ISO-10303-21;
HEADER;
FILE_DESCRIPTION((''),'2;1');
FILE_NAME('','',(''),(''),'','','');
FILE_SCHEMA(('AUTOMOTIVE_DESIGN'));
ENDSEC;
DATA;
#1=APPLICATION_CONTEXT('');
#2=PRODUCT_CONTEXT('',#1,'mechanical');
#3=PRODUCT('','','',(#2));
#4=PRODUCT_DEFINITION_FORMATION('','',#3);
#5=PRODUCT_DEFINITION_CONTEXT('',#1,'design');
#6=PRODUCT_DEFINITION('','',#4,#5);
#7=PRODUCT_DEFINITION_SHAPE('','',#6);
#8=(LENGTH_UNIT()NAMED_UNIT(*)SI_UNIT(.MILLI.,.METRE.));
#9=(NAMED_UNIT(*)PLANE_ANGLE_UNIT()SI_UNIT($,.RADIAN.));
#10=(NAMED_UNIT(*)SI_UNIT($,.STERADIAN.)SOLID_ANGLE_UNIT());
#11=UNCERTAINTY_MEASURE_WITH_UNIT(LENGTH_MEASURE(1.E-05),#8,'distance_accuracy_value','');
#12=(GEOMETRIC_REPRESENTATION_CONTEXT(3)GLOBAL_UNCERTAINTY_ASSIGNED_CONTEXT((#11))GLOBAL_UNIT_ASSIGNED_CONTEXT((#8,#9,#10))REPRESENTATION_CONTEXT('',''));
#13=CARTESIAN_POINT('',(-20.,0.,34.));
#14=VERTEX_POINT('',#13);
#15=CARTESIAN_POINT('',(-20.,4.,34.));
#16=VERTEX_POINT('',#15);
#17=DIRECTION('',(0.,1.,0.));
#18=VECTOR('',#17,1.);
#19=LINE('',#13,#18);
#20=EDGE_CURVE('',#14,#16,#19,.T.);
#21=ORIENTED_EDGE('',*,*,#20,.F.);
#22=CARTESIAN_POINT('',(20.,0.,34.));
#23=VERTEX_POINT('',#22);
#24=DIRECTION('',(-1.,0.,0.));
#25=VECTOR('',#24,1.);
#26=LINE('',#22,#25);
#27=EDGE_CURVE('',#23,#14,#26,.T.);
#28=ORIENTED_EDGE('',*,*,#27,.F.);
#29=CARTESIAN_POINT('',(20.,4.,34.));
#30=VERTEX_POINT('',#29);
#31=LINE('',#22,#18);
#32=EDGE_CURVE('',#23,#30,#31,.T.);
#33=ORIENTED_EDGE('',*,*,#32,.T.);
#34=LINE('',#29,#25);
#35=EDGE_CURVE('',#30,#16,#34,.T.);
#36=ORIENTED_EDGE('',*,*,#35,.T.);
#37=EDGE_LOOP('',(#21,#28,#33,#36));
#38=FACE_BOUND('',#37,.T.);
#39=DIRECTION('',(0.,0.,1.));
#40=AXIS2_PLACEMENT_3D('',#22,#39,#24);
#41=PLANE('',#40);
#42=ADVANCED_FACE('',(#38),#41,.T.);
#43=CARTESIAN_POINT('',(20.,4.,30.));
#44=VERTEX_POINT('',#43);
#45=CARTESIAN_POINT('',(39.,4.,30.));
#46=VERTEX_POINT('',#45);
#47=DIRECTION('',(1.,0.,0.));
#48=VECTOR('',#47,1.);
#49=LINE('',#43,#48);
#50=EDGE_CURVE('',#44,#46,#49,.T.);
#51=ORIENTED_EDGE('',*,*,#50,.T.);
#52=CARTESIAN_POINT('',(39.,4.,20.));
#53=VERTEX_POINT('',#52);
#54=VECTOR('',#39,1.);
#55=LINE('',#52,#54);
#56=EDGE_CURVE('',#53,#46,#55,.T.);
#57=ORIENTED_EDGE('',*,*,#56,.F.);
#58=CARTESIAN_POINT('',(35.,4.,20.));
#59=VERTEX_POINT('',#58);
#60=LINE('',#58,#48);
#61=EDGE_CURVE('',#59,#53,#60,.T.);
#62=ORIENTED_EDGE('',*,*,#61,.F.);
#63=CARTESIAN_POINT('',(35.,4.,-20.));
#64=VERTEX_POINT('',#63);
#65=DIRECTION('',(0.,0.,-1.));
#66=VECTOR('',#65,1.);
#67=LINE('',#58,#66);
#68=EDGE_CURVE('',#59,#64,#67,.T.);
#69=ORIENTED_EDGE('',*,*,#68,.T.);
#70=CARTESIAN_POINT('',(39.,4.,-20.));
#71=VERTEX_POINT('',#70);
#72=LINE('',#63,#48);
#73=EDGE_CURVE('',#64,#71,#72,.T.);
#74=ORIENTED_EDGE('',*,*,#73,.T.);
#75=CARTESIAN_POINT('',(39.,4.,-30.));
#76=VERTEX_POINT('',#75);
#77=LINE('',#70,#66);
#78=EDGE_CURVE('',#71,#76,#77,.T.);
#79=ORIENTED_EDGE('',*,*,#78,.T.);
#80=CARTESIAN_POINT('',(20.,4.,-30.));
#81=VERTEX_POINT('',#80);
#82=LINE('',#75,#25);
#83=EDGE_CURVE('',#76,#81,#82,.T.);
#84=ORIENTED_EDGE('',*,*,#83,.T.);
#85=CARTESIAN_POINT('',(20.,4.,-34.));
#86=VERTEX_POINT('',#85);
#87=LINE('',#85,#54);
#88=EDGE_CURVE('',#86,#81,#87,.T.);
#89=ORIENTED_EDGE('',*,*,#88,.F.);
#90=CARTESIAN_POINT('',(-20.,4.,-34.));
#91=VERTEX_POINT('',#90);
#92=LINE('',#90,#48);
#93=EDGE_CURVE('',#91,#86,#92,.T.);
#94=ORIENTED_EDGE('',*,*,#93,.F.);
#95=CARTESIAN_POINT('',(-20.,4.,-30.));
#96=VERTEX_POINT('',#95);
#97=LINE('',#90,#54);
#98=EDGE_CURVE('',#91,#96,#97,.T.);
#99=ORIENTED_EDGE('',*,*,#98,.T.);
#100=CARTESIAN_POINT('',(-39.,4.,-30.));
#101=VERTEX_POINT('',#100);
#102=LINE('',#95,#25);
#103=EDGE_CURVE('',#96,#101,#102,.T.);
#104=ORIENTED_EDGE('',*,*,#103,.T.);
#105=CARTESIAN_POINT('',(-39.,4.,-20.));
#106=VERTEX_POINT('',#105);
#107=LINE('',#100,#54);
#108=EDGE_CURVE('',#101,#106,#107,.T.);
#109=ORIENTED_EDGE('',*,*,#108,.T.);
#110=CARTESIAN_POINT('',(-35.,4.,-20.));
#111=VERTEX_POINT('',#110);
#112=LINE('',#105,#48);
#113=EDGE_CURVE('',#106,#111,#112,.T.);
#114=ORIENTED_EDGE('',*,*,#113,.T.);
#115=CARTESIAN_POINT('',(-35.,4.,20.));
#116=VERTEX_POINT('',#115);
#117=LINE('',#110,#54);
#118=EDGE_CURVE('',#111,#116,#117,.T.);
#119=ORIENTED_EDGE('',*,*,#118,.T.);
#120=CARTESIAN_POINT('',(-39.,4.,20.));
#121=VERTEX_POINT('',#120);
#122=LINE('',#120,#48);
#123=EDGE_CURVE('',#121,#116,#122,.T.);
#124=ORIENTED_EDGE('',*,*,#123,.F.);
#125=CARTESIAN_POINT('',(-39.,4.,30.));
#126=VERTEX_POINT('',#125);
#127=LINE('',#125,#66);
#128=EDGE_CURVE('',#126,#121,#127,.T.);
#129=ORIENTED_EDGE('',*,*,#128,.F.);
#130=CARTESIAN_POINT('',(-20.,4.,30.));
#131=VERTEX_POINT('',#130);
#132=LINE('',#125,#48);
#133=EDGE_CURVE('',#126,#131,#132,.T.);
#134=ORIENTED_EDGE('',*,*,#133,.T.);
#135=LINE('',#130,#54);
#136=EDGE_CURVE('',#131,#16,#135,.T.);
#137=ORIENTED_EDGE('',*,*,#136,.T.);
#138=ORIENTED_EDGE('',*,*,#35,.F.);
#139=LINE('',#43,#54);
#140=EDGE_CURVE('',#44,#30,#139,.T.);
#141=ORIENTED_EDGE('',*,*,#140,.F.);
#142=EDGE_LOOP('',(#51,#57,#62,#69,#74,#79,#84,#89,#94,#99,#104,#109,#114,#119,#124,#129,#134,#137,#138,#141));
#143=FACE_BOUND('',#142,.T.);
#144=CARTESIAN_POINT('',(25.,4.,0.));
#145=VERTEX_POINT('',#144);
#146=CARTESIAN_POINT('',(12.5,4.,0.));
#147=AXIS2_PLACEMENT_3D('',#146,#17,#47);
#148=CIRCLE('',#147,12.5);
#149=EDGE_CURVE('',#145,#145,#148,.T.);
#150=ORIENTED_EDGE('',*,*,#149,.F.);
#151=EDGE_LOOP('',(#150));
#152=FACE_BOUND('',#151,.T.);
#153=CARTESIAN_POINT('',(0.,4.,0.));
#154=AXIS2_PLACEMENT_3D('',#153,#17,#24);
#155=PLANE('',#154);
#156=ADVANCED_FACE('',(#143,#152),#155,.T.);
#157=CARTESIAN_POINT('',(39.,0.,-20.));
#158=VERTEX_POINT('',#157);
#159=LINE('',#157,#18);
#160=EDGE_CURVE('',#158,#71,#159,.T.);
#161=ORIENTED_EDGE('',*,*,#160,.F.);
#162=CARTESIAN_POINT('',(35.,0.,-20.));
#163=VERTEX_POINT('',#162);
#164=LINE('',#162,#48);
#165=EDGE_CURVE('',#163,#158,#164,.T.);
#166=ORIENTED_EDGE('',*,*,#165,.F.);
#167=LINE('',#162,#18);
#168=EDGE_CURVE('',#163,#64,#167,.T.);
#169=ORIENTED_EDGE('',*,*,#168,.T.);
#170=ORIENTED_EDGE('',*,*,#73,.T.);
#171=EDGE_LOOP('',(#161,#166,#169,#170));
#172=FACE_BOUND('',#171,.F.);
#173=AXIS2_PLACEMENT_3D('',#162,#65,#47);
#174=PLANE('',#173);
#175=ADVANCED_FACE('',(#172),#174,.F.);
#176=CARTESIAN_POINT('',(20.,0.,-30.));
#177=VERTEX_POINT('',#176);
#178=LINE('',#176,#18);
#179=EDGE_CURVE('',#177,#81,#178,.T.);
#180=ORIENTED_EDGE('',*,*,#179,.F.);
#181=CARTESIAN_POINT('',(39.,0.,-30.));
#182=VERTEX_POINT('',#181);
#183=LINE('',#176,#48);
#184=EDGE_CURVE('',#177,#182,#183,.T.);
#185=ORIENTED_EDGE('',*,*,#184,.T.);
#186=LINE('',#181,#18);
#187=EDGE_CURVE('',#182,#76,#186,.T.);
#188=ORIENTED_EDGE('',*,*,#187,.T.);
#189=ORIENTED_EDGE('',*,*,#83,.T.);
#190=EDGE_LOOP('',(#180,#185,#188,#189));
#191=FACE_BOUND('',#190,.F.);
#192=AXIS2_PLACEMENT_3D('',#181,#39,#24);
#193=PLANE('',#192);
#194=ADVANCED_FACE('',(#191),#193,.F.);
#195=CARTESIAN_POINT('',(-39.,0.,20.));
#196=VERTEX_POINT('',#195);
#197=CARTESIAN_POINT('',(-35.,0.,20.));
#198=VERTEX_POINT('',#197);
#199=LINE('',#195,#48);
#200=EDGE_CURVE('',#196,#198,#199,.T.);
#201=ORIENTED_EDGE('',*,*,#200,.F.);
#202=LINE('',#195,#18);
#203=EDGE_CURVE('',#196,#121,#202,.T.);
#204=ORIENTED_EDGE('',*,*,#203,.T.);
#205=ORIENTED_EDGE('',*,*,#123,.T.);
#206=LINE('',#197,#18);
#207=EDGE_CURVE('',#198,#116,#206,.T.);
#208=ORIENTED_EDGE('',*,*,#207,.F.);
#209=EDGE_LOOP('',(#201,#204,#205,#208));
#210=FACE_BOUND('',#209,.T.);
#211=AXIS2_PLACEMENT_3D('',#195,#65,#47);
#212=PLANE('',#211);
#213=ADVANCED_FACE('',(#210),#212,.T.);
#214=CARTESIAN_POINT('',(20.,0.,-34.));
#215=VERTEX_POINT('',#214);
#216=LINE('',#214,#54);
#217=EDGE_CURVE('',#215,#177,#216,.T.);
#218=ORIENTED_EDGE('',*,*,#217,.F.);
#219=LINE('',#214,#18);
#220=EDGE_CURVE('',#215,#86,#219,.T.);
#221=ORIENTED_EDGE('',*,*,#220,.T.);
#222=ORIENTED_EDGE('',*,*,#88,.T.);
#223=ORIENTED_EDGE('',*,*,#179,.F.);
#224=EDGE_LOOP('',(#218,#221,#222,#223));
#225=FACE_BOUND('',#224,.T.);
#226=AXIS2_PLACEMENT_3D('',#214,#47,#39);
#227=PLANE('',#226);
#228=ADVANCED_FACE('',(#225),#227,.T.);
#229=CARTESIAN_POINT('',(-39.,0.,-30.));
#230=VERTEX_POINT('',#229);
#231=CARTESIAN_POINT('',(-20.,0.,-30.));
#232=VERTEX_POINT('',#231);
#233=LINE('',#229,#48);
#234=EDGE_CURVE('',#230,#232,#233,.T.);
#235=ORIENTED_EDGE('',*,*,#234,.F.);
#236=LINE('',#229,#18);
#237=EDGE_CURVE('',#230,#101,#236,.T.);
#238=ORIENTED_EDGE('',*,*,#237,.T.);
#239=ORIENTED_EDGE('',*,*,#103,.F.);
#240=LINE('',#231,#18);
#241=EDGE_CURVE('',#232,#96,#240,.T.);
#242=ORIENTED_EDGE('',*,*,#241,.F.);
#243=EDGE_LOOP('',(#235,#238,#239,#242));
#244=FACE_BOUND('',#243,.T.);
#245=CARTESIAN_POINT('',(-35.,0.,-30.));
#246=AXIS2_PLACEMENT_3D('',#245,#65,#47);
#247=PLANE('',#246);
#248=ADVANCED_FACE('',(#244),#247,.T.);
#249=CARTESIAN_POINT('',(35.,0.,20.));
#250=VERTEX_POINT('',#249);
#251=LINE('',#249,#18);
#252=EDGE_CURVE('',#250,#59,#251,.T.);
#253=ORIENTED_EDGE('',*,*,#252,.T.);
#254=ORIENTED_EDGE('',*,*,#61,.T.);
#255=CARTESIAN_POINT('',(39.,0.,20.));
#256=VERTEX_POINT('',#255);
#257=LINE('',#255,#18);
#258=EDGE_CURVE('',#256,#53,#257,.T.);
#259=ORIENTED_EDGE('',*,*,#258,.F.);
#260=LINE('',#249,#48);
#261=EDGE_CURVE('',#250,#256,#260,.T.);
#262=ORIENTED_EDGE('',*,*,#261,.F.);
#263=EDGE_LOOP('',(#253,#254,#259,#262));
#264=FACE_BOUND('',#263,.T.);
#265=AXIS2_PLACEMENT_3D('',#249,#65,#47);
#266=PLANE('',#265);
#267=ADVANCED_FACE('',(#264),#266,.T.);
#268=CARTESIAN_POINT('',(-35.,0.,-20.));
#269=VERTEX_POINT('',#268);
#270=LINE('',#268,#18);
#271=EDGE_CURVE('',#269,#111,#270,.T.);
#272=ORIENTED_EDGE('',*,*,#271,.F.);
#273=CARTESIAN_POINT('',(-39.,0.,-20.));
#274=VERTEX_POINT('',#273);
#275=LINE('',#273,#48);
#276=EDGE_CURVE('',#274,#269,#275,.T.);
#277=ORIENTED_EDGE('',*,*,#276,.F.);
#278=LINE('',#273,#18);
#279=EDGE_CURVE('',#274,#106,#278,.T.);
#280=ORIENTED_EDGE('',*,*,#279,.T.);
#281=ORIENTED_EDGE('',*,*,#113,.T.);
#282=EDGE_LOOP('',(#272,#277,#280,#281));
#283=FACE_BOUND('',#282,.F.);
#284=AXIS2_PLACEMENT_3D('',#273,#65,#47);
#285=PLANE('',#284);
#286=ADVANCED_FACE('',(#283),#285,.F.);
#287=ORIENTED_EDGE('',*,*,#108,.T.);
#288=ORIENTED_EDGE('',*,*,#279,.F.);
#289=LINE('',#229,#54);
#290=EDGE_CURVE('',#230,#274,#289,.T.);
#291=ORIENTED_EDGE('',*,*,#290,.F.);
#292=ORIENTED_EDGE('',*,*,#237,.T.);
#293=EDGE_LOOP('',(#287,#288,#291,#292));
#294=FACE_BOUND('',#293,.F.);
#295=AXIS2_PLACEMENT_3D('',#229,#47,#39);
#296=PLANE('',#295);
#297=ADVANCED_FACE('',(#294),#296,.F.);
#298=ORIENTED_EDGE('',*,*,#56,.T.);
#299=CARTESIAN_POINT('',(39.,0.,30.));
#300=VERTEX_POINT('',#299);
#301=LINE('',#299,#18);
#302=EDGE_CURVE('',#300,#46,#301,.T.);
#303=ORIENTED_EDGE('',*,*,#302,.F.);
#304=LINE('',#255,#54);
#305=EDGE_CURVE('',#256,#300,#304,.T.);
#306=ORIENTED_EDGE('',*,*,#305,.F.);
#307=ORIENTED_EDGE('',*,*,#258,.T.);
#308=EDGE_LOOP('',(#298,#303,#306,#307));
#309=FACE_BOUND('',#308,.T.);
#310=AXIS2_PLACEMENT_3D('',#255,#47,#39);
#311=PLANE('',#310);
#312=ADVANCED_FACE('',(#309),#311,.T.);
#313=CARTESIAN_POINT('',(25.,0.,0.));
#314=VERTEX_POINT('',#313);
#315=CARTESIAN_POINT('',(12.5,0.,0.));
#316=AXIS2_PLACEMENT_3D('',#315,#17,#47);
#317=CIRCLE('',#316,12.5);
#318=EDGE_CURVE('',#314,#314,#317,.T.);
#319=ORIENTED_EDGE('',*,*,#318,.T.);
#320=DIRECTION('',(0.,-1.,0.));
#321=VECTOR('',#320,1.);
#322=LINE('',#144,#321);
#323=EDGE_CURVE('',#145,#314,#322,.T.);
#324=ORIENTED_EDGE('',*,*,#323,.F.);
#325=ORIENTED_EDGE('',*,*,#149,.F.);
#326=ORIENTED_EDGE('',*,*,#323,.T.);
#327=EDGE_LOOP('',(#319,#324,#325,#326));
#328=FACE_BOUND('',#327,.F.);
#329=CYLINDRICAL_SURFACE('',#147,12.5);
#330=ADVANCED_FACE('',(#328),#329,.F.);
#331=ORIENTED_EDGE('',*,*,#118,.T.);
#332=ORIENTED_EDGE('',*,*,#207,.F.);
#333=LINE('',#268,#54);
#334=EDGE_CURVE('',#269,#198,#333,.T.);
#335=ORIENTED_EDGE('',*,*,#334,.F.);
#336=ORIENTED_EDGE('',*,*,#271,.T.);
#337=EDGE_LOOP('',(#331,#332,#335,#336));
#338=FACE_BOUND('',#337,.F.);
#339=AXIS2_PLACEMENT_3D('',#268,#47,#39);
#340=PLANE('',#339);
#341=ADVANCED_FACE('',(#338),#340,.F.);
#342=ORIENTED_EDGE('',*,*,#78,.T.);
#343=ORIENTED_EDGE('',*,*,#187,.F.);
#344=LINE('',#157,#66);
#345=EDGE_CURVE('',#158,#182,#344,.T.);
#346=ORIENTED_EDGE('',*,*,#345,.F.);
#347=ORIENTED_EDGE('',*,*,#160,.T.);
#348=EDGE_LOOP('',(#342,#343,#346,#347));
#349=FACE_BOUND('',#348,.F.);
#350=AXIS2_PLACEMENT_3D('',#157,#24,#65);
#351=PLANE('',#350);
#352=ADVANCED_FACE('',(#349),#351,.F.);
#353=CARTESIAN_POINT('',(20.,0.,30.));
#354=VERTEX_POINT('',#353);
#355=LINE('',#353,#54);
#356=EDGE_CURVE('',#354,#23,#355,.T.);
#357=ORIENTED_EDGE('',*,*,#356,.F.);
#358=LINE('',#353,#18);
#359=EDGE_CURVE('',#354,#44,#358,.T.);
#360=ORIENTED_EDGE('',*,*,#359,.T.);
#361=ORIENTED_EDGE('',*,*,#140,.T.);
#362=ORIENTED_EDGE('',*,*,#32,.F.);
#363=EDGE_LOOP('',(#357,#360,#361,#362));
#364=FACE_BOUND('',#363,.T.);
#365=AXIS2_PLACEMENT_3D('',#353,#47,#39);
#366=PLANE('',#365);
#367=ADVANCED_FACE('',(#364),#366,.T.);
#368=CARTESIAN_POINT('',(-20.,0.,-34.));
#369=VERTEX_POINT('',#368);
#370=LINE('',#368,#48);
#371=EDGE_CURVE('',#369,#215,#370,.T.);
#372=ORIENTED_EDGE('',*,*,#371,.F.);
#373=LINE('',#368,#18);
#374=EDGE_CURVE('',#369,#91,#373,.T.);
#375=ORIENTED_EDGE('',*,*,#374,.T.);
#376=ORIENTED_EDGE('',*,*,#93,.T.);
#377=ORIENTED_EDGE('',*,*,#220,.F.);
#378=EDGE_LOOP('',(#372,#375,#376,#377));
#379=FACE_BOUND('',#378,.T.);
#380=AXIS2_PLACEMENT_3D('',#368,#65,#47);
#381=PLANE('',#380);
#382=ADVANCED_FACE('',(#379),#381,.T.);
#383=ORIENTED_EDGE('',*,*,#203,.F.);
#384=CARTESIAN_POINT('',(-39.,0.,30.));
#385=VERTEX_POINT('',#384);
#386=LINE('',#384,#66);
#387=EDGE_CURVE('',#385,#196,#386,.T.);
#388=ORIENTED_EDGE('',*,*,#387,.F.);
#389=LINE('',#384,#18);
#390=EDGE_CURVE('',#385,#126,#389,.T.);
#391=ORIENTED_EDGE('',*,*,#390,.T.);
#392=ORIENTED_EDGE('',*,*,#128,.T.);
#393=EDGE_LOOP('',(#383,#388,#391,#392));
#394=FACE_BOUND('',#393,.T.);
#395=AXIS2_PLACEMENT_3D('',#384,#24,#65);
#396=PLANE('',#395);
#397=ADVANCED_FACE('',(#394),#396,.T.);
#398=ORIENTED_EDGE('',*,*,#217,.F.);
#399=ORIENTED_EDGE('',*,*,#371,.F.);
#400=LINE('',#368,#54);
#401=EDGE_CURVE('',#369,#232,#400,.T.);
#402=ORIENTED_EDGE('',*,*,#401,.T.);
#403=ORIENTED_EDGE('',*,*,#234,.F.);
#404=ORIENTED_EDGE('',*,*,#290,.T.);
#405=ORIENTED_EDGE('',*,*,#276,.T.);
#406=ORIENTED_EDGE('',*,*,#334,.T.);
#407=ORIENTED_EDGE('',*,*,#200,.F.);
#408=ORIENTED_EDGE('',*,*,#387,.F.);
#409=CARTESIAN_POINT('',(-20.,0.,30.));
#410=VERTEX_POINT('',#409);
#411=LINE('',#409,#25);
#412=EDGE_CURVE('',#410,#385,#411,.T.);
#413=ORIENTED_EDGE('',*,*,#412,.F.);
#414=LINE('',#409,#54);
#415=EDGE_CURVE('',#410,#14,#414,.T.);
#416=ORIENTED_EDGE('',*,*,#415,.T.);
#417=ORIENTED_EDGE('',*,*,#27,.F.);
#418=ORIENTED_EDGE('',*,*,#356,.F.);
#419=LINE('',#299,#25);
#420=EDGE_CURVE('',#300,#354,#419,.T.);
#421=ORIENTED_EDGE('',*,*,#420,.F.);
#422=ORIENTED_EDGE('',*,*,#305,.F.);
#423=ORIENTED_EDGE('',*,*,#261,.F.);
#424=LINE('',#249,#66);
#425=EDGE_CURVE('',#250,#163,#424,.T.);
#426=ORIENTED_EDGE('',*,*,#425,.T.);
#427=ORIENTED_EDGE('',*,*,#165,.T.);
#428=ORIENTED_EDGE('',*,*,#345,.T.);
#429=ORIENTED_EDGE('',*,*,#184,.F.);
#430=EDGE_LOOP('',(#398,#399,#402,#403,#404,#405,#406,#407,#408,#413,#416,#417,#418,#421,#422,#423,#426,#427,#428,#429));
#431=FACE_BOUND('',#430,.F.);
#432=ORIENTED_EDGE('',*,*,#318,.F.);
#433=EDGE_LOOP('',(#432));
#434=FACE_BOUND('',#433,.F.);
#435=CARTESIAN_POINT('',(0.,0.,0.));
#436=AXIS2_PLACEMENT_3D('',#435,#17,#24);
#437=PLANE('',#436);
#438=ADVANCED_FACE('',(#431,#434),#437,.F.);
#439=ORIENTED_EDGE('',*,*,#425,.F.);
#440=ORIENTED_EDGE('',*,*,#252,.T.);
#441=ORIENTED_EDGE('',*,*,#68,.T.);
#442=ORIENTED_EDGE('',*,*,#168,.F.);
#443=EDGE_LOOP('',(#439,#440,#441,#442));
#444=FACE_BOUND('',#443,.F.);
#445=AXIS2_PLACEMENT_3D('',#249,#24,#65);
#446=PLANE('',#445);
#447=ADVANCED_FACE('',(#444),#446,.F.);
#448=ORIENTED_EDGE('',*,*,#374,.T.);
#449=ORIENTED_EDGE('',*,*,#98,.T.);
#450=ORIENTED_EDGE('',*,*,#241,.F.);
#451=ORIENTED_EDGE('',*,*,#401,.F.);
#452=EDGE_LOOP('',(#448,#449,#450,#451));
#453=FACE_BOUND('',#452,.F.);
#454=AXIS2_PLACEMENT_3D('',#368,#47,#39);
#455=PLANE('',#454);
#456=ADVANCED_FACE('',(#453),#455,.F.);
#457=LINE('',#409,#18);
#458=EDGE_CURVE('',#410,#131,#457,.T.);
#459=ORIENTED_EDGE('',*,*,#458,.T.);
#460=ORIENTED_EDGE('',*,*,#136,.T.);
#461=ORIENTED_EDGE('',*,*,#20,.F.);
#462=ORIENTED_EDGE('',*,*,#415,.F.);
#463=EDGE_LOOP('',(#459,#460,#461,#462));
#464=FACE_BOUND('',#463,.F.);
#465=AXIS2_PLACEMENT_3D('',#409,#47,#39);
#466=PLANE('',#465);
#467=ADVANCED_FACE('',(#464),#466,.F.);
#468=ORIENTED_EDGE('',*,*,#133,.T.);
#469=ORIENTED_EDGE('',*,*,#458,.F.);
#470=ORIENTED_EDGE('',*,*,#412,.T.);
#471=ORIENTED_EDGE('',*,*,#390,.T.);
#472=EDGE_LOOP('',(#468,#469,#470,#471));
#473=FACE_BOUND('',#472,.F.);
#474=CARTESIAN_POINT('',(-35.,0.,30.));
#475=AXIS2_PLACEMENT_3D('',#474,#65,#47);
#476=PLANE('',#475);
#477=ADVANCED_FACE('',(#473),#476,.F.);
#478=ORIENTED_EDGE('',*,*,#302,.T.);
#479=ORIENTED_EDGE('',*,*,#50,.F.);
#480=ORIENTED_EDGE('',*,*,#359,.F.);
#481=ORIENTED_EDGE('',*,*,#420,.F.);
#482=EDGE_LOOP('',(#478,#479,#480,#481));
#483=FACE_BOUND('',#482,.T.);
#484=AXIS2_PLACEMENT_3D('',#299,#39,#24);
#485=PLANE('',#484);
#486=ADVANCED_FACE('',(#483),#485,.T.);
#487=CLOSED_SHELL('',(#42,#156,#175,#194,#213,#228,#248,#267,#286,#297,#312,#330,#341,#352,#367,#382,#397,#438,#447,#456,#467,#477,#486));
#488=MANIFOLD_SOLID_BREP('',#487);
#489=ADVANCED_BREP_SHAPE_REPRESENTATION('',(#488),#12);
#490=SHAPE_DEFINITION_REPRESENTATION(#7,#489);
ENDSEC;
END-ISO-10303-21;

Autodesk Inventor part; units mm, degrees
ref_plane "YZ Plane" through (0, 0, 0) normal (1, 0, 0) x (0, 1, 0)
ref_plane "XZ Plane" through (0, 0, 0) normal (0, 1, 0) x (-1, 0, 0)
ref_plane "XY Plane" through (0, 0, 0) normal (0, 0, 1) x (1, 0, 0)
sketch "Sketch1" plane through (0, 0, 0) normal (0, 1, 0) x (-1, 0, 0)
  line L0 (35, 30) -> (-35, 30) construction
  line L1 (-35, 30) -> (-35, -30) construction
  line L2 (-35, -30) -> (35, -30) construction
  line L3 (35, -30) -> (35, 30) construction
  line L4 (-35, -20) -> (-39, -20)
  line L5 (-39, -20) -> (-39, -30)
  line L6 (-39, -30) -> (-35, -30)
  line L7 (-35, -30) -> (-35, -20) construction
  line L8 (-35, 20) -> (-39, 20)
  line L9 (-39, 20) -> (-39, 30)
  line L10 (-39, 30) -> (-35, 30)
  line L11 (-35, 30) -> (-35, 20) construction
  line L12 (35, 30) -> (39, 30)
  line L13 (39, 30) -> (39, 20)
  line L14 (39, 20) -> (35, 20)
  line L15 (35, 20) -> (35, 30) construction
  line L16 (35, -30) -> (39, -30)
  line L17 (39, -30) -> (39, -20)
  line L18 (39, -20) -> (35, -20)
  line L19 (35, -20) -> (35, -30) construction
  line L20 (20, -30) -> (35, -30) construction
  line L21 (35, -30) -> (35, -34) construction
  line L22 (35, -34) -> (20, -34) construction
  line L23 (20, -34) -> (20, -30)
  line L24 (-20, -30) -> (-35, -30) construction
  line L25 (-35, -30) -> (-35, -34) construction
  line L26 (-35, -34) -> (-20, -34) construction
  line L27 (-20, -34) -> (-20, -30)
  line L28 (-35, 30) -> (-20, 30)
  line L29 (-20, 30) -> (-20, 34)
  line L30 (-20, 34) -> (-35, 34) construction
  line L31 (-35, 34) -> (-35, 30) construction
  line L32 (20, 34) -> (35, 34) construction
  line L33 (35, 34) -> (35, 30) construction
  line L34 (35, 30) -> (20, 30)
  line L35 (20, 30) -> (20, 34)
  line L36 (20, -30) -> (-20, -30) construction
  line L37 (-35, 20) -> (-35, -20)
  line L38 (35, -20) -> (35, 20)
  line L39 (20, 30) -> (-20, 30) construction
  line L40 (35, -30) -> (20, -30)
  line L41 (20, -34) -> (-20, -34)
  line L42 (-20, -30) -> (-35, -30)
  line L43 (-20, 34) -> (20, 34)
  line L44 (20, 30) -> (35, 30)
  point P0 (0, 0)
  point P1 (37, 20)
  point P2 (37, -20)
  point P3 (-20, -32)
  point P4 (20, -32)
  point P5 (0, -30)
  point P6 (35, 0)
  dimension "d0" = 70
  dimension "d1" = 60
  dimension "d2" = 4
  dimension "d3" = 40
  dimension "d4" = 40
extrude "Extrusion1" add sketch "Sketch1" along normal blind 4
sketch "Sketch2" plane through (0, 4, 0) normal (0, 1, 0) x (1, 0, 0)
  circle A0 centre (12.5, 0) radius 12.5
  line L0 (35, -20) -> (35, 20) projected
  point P0 (0, 0)
  dimension "d7" = 25
  dimension "d8" = 10
extrude "Extrusion2" cut sketch "Sketch2" against normal blind 4
properties part number "SideFemale_70wx60h" material "Wood (Oak)"
